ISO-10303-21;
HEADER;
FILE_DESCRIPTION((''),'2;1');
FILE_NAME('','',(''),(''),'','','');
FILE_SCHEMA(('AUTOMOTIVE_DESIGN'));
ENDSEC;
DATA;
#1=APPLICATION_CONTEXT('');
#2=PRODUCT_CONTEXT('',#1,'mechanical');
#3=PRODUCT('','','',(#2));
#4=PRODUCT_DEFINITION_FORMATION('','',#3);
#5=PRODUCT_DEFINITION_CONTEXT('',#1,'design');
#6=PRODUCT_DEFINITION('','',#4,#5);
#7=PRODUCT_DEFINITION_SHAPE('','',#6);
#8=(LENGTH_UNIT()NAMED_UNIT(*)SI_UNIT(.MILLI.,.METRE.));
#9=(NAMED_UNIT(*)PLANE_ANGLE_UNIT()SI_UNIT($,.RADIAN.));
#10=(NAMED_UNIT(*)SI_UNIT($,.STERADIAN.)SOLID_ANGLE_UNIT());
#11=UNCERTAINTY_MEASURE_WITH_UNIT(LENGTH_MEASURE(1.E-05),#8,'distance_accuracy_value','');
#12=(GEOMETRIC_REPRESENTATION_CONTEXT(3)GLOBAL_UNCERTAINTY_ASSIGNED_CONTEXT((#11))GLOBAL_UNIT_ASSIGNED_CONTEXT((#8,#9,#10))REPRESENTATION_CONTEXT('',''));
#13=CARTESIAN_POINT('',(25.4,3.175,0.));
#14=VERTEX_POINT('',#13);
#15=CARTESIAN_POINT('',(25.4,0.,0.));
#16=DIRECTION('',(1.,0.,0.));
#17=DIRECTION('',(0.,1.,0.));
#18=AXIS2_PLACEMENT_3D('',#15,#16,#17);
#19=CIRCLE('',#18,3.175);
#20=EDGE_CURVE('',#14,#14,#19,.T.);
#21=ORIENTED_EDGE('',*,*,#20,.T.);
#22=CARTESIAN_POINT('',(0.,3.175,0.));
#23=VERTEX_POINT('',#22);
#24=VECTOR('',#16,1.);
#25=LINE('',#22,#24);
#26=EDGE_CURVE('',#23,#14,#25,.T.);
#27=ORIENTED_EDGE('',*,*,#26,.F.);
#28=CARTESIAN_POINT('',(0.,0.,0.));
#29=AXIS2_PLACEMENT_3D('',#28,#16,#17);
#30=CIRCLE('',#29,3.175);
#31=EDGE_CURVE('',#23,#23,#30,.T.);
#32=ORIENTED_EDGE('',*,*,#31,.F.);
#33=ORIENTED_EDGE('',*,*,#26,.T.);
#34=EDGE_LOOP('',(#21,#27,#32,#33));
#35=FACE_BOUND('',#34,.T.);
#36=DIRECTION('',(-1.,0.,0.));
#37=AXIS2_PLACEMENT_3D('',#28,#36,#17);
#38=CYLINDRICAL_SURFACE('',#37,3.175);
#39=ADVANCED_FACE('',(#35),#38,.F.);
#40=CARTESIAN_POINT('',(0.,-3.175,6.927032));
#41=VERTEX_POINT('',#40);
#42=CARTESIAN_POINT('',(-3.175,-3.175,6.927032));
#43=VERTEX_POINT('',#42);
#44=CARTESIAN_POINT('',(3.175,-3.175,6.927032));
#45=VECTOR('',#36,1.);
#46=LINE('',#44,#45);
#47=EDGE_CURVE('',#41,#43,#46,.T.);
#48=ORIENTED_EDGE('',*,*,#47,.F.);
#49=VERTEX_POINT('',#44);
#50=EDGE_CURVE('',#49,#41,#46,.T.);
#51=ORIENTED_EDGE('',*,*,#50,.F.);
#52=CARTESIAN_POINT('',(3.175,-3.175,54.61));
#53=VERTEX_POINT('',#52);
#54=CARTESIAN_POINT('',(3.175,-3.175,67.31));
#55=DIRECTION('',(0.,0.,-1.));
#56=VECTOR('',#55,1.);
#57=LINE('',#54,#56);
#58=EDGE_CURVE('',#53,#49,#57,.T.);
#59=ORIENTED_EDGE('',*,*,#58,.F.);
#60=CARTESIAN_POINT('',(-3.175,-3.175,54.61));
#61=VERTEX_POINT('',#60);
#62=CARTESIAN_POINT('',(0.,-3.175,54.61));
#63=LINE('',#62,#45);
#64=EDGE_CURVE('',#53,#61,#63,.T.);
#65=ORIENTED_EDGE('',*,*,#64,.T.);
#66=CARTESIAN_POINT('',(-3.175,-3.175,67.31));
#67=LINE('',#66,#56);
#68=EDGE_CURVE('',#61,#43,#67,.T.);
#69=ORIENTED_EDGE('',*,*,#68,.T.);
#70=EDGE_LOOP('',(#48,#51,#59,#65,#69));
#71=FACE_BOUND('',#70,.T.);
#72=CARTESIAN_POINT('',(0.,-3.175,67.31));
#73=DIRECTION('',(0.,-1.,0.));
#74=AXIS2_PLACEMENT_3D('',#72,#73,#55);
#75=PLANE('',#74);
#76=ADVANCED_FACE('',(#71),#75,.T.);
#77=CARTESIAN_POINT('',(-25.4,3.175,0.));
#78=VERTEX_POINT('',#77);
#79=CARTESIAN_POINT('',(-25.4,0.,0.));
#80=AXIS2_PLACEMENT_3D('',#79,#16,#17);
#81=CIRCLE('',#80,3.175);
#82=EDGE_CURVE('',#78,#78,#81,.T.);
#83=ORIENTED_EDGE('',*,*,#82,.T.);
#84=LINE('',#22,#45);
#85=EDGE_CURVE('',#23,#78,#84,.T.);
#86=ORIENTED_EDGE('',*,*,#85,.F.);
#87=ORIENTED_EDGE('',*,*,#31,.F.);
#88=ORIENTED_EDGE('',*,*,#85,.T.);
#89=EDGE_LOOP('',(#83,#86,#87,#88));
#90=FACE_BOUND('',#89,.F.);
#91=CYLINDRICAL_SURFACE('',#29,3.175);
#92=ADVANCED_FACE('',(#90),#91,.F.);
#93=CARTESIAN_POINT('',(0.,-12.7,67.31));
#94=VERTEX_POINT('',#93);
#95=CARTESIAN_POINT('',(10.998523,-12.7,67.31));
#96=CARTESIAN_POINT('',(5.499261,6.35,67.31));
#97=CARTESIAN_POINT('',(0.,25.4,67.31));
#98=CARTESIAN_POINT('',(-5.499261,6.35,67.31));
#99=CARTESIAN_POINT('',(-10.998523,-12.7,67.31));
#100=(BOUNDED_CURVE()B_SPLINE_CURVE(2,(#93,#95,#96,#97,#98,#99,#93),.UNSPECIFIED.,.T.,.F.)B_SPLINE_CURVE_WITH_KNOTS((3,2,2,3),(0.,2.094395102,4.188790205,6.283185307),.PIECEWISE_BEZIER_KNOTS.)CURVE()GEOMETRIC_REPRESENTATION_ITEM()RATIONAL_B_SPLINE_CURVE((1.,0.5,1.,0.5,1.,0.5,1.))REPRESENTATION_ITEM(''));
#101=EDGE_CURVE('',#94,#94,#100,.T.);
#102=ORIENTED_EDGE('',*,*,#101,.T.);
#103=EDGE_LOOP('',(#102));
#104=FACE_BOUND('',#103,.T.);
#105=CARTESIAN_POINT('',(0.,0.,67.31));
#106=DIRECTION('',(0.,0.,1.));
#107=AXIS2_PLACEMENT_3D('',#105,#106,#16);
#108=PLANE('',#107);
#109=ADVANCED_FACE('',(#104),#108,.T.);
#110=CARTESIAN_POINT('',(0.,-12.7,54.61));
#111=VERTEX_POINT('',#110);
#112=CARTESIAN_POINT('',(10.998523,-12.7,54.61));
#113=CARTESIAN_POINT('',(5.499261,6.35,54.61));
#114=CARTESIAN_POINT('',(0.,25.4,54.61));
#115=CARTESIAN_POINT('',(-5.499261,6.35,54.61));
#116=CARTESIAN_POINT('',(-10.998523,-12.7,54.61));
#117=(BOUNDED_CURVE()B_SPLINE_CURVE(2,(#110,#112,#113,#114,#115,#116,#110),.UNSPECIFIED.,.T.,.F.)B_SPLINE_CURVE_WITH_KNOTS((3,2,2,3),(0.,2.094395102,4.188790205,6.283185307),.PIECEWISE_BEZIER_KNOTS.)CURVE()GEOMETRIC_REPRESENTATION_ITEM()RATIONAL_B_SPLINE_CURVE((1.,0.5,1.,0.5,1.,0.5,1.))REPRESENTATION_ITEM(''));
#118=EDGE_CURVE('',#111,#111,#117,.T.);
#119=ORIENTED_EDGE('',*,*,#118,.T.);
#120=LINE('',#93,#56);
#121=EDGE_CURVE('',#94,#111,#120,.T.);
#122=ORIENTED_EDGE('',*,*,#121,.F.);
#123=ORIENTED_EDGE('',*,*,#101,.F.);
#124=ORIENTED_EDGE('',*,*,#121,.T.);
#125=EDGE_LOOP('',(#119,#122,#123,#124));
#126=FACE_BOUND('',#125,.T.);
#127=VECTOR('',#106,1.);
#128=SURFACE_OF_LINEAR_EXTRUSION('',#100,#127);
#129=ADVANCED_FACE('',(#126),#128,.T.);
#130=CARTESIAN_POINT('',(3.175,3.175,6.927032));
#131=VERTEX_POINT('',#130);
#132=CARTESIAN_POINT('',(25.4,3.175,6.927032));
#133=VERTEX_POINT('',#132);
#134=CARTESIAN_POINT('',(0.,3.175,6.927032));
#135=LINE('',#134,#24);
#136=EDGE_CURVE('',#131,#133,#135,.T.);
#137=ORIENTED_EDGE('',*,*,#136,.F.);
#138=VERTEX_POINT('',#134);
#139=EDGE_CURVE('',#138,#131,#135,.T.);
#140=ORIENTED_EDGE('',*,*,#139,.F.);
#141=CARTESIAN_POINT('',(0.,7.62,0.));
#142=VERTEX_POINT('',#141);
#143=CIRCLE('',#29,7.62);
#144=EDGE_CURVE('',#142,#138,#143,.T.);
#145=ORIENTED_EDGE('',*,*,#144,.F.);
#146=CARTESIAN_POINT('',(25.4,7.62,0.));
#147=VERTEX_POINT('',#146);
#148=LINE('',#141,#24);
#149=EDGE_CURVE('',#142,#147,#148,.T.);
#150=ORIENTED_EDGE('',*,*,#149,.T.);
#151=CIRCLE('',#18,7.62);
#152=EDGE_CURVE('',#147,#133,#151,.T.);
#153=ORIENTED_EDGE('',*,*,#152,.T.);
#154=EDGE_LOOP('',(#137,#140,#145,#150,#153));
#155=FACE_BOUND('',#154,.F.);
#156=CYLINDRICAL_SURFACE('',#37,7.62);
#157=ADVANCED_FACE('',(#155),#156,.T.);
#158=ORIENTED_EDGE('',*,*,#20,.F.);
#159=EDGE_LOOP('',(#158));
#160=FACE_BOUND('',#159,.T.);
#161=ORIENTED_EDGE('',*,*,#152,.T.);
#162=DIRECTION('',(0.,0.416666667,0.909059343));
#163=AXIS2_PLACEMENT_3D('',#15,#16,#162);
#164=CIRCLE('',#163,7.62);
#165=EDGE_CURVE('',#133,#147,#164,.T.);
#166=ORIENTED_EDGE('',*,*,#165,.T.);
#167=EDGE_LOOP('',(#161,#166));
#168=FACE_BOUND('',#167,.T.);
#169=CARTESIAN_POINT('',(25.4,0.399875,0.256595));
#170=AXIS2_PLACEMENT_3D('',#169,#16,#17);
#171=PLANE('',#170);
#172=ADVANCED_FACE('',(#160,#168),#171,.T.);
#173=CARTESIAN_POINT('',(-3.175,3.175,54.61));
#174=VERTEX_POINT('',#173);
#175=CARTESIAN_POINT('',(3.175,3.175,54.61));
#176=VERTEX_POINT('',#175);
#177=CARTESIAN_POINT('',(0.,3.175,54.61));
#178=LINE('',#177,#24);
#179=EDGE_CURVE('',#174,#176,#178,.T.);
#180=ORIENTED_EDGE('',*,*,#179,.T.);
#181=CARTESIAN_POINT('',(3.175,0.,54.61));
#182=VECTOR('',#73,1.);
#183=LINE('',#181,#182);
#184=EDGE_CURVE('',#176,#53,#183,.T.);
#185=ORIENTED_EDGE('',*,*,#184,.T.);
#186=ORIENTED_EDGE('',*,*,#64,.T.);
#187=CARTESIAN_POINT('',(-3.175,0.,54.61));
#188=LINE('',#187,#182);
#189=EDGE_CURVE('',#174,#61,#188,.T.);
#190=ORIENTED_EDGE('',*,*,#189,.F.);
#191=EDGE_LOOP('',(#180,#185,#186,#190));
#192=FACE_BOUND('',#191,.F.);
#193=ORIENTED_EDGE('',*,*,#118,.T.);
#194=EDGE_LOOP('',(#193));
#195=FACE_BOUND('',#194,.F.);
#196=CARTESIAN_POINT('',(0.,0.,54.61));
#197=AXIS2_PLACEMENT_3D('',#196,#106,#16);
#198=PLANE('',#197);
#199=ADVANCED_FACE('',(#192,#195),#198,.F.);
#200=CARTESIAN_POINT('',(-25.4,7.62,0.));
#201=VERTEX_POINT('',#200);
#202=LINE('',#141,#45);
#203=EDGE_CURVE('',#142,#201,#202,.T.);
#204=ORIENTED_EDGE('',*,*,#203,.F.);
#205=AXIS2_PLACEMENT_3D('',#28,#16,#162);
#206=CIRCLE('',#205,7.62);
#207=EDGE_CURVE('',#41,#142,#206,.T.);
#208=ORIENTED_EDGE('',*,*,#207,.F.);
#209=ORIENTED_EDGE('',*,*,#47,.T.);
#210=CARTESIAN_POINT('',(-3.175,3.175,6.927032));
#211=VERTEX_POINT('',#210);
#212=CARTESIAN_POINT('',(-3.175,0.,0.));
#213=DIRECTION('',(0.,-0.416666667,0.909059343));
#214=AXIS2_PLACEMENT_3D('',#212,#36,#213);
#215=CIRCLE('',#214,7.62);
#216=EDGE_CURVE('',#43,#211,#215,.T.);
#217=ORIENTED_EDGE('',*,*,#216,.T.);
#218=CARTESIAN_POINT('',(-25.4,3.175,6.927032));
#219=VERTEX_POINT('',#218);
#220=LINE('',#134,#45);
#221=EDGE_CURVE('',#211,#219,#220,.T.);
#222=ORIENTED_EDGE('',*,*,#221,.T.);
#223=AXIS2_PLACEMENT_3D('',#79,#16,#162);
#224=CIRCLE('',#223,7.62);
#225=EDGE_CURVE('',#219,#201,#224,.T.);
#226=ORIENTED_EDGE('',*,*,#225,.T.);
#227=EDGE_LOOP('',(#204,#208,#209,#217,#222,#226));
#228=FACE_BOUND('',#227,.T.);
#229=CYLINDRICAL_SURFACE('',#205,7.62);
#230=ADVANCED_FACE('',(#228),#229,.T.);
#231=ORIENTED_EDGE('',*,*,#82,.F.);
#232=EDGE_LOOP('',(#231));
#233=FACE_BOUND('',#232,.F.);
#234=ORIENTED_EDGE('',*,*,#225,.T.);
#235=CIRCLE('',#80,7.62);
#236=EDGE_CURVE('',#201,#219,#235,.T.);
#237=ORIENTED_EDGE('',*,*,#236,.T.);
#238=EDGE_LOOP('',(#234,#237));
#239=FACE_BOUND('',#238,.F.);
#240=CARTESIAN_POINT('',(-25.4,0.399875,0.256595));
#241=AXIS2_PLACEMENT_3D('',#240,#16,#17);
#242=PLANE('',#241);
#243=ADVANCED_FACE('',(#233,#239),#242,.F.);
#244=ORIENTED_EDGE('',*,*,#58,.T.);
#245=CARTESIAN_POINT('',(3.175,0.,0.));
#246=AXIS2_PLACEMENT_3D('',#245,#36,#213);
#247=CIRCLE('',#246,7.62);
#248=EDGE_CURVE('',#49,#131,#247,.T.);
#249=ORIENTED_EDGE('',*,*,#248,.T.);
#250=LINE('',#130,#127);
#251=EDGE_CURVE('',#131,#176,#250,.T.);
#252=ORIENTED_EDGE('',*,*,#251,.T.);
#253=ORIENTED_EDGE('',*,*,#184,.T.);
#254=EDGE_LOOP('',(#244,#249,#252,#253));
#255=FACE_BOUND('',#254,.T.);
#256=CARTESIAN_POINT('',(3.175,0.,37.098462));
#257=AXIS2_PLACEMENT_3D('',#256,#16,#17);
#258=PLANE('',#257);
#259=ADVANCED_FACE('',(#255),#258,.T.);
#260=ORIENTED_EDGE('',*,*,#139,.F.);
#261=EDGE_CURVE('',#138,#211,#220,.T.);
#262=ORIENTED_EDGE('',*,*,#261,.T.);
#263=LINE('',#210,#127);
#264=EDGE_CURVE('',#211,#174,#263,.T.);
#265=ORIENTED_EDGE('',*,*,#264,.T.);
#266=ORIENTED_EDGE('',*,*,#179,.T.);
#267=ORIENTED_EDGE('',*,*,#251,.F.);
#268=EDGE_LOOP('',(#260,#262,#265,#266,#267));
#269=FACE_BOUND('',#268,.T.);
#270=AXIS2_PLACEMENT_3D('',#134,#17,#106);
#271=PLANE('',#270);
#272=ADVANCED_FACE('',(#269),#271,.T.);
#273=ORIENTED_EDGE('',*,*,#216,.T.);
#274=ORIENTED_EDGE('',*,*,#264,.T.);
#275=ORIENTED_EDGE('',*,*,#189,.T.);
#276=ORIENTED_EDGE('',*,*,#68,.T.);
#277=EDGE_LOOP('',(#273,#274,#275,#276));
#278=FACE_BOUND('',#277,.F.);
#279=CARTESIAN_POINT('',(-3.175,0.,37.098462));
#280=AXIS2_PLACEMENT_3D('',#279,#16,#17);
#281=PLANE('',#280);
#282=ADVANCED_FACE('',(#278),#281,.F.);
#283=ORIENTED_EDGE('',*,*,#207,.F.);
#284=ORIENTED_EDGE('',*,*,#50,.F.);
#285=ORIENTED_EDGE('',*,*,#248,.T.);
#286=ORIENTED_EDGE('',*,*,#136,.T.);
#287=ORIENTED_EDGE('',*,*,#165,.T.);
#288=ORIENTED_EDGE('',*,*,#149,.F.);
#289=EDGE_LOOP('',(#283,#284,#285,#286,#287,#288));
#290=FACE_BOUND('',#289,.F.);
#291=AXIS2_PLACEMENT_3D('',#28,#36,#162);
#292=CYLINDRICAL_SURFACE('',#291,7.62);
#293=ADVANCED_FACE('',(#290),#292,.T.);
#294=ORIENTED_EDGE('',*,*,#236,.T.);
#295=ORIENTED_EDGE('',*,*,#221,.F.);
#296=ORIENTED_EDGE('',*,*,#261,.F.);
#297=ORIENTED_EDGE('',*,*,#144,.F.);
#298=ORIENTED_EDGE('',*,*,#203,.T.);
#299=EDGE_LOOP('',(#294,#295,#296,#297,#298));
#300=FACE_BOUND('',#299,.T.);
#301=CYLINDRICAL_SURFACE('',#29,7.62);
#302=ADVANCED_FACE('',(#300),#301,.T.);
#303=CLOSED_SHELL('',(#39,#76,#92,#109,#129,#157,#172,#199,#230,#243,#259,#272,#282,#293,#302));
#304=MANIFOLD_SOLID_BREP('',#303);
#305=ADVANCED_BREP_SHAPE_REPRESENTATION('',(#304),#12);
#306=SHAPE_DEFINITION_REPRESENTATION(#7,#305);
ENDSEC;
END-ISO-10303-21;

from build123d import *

# Parameters (mm, degrees)
F0_R     = 3.175
F1_DEPTH = 25.4
F2_DEPTH = 3.175
F5_DEPTH = 12.7


with BuildPart() as f1:
    # F0 (on Right) → F1 (new body, symmetric)
    with BuildSketch(Plane.YZ):
        with BuildLine():
            ThreePointArc((-3.175, 6.9270321928), (-4.1152703435, -6.4131856359), (7.62, 0))
            ThreePointArc((7.62, 0), (6.4131856359, 4.1152703435), (3.175, 6.9270321928))
            ThreePointArc((3.175, 6.9270321928), (0, 7.62), (-3.175, 6.9270321928))
        make_face()
        Circle(F0_R, mode=Mode.SUBTRACT)
    extrude(amount=F1_DEPTH, both=True)

    # F0 (on Right) → F2 (join, symmetric)
    with BuildSketch(Plane.YZ):
        with BuildLine():
            ThreePointArc((-3.175, 6.9270321928), (0, 7.62), (3.175, 6.9270321928))
            Line((3.175, 6.9270321928), (3.175, 67.31))
            Line((3.175, 67.31), (-3.175, 67.31))
            Line((-3.175, 67.31), (-3.175, 6.9270321928))
        make_face()
    extrude(amount=F2_DEPTH, both=True)

    # F4 (on offset) → F5 (join)
    with BuildSketch(Plane.XY.offset(67.31)):
        with BuildLine():
            add(Edge.make_bspline(
                [(0, -12.7), (10.9985226281, -12.7), (5.499261314, 6.35), (0, 25.4), (-5.499261314, 6.35), (-10.9985226281, -12.7), (0, -12.7)],
                knots=[0, 0, 0, 2.0943951024, 2.0943951024, 4.1887902048, 4.1887902048, 6.2831853072, 6.2831853072, 6.2831853072], degree=2, weights=[1, 0.5, 1, 0.5, 1, 0.5, 1]))
        make_face()
    extrude(amount=-F5_DEPTH)


solid = f1.part
